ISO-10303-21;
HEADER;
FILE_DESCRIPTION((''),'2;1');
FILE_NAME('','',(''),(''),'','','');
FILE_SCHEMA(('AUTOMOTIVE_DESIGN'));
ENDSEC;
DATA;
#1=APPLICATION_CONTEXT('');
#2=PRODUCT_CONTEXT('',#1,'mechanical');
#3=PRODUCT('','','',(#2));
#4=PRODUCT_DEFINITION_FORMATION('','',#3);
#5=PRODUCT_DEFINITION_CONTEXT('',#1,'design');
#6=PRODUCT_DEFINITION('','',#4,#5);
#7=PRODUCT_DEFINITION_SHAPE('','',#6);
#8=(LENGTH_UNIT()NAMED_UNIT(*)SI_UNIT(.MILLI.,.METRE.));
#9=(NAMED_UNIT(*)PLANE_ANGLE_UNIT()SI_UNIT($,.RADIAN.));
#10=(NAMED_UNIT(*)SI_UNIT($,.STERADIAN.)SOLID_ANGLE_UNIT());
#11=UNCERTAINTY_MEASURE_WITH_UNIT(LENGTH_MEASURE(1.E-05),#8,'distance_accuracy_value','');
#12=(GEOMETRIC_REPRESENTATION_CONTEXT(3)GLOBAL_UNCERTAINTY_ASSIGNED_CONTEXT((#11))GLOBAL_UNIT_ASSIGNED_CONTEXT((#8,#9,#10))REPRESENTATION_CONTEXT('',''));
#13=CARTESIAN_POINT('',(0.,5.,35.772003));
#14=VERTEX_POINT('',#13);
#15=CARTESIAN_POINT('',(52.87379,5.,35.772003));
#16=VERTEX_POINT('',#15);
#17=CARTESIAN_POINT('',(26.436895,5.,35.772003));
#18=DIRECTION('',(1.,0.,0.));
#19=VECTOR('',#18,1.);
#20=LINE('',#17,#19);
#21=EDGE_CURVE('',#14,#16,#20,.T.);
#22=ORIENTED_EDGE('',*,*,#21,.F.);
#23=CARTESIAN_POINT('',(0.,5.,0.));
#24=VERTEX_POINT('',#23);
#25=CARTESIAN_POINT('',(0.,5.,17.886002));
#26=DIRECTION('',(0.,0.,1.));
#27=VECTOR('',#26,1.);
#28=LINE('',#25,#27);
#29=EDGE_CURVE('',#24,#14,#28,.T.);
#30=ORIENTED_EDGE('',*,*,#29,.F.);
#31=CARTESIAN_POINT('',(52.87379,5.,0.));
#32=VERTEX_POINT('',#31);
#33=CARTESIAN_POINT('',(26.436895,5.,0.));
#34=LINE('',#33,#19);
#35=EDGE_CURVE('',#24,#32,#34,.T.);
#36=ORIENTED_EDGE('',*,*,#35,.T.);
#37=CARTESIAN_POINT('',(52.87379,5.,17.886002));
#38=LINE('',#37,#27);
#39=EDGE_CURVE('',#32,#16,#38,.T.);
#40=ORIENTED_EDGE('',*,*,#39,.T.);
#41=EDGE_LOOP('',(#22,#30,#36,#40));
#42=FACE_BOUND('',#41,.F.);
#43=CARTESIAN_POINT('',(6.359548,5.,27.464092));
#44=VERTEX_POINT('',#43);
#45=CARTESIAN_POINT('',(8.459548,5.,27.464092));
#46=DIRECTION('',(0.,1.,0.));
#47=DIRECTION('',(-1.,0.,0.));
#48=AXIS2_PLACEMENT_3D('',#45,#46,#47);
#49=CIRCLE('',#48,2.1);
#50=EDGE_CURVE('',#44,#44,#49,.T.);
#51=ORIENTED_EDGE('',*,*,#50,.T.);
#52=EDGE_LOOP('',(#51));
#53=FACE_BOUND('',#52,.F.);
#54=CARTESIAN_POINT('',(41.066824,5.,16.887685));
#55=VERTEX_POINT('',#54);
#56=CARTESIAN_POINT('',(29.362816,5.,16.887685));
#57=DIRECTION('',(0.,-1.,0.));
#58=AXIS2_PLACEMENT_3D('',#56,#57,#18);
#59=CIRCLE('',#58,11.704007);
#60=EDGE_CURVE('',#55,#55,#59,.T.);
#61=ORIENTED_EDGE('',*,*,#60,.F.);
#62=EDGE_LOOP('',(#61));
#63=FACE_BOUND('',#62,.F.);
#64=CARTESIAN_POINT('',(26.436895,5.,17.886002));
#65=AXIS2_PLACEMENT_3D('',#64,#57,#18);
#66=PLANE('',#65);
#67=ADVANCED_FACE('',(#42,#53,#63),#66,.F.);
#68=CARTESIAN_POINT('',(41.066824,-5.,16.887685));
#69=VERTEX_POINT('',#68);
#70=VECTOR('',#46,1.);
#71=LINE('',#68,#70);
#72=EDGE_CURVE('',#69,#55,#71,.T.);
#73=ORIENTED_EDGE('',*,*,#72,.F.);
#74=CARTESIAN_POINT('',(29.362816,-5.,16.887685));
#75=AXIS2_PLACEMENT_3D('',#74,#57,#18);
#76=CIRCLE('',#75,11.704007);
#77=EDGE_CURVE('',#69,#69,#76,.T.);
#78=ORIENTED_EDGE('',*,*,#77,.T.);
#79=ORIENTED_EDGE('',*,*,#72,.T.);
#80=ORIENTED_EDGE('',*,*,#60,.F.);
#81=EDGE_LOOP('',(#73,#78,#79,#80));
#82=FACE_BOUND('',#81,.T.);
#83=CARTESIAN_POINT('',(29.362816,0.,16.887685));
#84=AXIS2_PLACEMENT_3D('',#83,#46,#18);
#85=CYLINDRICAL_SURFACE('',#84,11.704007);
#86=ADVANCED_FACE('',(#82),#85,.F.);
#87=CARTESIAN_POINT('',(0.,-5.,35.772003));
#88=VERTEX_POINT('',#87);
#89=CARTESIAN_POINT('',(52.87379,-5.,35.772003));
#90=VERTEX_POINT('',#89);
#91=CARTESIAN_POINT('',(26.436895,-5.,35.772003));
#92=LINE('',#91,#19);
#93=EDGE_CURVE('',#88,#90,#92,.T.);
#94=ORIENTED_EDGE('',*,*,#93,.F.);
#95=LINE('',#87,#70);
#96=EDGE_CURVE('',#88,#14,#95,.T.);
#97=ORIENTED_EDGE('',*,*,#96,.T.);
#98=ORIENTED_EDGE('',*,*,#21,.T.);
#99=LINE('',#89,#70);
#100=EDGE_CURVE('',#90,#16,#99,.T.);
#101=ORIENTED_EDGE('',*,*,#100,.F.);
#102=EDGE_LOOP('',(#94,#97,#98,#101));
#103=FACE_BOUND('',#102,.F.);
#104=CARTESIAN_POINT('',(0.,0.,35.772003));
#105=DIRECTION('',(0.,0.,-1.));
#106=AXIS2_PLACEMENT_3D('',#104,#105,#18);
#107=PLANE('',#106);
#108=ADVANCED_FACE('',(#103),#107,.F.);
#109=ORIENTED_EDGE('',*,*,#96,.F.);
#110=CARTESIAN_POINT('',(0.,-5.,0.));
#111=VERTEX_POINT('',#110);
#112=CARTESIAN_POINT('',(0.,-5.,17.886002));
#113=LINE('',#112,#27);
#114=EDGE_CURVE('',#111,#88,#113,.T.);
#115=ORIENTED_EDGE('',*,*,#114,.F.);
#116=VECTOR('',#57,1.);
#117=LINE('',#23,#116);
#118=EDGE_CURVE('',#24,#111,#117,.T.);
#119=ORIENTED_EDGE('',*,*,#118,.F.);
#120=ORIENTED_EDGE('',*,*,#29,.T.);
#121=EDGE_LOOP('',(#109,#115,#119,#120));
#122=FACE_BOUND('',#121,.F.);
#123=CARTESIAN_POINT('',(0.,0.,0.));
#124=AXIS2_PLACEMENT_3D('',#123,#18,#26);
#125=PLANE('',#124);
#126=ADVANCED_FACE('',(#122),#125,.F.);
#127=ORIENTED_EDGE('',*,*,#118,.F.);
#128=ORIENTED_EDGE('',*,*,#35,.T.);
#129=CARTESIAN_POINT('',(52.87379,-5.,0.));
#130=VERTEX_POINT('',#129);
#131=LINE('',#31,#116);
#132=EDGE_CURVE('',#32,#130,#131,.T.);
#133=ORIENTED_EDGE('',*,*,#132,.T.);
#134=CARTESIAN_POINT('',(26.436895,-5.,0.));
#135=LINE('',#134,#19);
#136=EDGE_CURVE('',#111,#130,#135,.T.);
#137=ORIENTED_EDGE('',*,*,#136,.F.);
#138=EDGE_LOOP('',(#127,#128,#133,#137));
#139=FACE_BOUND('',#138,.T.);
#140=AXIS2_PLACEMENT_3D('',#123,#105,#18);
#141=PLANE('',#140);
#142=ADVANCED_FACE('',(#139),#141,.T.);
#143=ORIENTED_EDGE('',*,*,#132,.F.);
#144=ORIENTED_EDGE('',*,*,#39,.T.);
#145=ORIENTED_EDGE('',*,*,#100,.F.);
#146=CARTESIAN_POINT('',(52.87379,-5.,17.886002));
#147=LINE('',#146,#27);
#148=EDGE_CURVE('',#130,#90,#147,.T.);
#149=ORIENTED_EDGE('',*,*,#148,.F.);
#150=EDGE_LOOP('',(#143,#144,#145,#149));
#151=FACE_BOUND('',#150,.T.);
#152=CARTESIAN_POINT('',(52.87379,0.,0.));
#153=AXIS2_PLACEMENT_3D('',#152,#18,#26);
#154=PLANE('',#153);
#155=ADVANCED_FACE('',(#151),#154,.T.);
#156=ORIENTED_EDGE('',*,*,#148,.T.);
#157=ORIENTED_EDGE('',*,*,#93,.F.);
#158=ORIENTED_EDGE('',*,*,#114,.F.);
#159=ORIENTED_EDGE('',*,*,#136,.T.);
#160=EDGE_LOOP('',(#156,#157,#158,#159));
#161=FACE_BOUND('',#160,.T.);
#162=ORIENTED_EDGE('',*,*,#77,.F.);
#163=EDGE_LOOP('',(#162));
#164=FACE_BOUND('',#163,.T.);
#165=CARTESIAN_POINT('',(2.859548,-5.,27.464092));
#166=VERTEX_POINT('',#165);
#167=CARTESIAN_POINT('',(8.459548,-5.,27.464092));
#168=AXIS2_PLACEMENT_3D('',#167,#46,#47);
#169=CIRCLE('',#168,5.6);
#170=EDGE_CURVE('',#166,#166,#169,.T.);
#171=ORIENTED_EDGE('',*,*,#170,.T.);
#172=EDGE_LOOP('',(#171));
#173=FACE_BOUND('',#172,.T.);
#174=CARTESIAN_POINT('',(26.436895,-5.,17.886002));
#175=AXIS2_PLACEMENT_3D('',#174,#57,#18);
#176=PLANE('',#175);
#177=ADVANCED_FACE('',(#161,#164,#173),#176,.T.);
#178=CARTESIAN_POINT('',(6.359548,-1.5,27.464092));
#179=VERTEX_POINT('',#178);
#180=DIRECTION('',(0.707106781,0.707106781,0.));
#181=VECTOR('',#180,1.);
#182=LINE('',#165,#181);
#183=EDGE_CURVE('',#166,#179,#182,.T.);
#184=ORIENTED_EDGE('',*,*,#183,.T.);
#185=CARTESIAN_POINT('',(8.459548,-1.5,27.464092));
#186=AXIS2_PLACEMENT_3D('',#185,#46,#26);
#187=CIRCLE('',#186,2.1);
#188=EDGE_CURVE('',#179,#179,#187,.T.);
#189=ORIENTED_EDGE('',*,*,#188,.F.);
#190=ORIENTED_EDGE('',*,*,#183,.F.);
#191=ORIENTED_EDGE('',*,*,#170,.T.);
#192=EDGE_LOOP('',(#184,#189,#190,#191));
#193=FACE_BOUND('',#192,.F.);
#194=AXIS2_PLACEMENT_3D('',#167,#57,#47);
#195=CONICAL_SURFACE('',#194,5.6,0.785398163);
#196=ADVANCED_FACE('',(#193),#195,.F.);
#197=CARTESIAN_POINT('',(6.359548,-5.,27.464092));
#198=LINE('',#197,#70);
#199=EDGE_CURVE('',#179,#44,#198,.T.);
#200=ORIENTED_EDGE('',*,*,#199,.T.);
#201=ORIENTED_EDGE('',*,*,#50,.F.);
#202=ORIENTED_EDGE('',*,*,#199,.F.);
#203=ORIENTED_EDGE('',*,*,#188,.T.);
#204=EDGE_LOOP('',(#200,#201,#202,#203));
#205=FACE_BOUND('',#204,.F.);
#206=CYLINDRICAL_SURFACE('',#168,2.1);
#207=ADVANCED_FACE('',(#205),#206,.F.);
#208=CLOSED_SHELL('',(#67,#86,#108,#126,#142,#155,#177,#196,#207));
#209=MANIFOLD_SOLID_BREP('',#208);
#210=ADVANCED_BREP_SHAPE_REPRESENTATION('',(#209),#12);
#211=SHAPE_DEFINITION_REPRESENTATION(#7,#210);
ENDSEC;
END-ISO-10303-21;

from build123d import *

# Parameters (mm, degrees)
F0_W           = 52.8737902641
F0_H           = 35.7720032334
F0_R           = 11.7040072329
F1_DEPTH       = 5
F3_D           = 4.2
F3_CSINK_D     = 11.2
F3_CSINK_ANGLE = 90


with BuildPart() as f1:
    # F0 (on Front) → F1 (new body, symmetric)
    with BuildSketch(Plane.XZ):
        with Locations((26.4368951321, 17.8860016167)):
            Rectangle(F0_W, F0_H)
        with Locations((29.3628163636, 16.887685284)):
            Circle(F0_R, mode=Mode.SUBTRACT)
    extrude(amount=F1_DEPTH, both=True)

    # F3 (through all)
    with Locations(Plane.XZ.offset(5)):
        with Locations((8.4595484659, 27.4640917778)):
            CounterSinkHole(F3_D / 2, F3_CSINK_D / 2, counter_sink_angle=F3_CSINK_ANGLE)


solid = f1.part
